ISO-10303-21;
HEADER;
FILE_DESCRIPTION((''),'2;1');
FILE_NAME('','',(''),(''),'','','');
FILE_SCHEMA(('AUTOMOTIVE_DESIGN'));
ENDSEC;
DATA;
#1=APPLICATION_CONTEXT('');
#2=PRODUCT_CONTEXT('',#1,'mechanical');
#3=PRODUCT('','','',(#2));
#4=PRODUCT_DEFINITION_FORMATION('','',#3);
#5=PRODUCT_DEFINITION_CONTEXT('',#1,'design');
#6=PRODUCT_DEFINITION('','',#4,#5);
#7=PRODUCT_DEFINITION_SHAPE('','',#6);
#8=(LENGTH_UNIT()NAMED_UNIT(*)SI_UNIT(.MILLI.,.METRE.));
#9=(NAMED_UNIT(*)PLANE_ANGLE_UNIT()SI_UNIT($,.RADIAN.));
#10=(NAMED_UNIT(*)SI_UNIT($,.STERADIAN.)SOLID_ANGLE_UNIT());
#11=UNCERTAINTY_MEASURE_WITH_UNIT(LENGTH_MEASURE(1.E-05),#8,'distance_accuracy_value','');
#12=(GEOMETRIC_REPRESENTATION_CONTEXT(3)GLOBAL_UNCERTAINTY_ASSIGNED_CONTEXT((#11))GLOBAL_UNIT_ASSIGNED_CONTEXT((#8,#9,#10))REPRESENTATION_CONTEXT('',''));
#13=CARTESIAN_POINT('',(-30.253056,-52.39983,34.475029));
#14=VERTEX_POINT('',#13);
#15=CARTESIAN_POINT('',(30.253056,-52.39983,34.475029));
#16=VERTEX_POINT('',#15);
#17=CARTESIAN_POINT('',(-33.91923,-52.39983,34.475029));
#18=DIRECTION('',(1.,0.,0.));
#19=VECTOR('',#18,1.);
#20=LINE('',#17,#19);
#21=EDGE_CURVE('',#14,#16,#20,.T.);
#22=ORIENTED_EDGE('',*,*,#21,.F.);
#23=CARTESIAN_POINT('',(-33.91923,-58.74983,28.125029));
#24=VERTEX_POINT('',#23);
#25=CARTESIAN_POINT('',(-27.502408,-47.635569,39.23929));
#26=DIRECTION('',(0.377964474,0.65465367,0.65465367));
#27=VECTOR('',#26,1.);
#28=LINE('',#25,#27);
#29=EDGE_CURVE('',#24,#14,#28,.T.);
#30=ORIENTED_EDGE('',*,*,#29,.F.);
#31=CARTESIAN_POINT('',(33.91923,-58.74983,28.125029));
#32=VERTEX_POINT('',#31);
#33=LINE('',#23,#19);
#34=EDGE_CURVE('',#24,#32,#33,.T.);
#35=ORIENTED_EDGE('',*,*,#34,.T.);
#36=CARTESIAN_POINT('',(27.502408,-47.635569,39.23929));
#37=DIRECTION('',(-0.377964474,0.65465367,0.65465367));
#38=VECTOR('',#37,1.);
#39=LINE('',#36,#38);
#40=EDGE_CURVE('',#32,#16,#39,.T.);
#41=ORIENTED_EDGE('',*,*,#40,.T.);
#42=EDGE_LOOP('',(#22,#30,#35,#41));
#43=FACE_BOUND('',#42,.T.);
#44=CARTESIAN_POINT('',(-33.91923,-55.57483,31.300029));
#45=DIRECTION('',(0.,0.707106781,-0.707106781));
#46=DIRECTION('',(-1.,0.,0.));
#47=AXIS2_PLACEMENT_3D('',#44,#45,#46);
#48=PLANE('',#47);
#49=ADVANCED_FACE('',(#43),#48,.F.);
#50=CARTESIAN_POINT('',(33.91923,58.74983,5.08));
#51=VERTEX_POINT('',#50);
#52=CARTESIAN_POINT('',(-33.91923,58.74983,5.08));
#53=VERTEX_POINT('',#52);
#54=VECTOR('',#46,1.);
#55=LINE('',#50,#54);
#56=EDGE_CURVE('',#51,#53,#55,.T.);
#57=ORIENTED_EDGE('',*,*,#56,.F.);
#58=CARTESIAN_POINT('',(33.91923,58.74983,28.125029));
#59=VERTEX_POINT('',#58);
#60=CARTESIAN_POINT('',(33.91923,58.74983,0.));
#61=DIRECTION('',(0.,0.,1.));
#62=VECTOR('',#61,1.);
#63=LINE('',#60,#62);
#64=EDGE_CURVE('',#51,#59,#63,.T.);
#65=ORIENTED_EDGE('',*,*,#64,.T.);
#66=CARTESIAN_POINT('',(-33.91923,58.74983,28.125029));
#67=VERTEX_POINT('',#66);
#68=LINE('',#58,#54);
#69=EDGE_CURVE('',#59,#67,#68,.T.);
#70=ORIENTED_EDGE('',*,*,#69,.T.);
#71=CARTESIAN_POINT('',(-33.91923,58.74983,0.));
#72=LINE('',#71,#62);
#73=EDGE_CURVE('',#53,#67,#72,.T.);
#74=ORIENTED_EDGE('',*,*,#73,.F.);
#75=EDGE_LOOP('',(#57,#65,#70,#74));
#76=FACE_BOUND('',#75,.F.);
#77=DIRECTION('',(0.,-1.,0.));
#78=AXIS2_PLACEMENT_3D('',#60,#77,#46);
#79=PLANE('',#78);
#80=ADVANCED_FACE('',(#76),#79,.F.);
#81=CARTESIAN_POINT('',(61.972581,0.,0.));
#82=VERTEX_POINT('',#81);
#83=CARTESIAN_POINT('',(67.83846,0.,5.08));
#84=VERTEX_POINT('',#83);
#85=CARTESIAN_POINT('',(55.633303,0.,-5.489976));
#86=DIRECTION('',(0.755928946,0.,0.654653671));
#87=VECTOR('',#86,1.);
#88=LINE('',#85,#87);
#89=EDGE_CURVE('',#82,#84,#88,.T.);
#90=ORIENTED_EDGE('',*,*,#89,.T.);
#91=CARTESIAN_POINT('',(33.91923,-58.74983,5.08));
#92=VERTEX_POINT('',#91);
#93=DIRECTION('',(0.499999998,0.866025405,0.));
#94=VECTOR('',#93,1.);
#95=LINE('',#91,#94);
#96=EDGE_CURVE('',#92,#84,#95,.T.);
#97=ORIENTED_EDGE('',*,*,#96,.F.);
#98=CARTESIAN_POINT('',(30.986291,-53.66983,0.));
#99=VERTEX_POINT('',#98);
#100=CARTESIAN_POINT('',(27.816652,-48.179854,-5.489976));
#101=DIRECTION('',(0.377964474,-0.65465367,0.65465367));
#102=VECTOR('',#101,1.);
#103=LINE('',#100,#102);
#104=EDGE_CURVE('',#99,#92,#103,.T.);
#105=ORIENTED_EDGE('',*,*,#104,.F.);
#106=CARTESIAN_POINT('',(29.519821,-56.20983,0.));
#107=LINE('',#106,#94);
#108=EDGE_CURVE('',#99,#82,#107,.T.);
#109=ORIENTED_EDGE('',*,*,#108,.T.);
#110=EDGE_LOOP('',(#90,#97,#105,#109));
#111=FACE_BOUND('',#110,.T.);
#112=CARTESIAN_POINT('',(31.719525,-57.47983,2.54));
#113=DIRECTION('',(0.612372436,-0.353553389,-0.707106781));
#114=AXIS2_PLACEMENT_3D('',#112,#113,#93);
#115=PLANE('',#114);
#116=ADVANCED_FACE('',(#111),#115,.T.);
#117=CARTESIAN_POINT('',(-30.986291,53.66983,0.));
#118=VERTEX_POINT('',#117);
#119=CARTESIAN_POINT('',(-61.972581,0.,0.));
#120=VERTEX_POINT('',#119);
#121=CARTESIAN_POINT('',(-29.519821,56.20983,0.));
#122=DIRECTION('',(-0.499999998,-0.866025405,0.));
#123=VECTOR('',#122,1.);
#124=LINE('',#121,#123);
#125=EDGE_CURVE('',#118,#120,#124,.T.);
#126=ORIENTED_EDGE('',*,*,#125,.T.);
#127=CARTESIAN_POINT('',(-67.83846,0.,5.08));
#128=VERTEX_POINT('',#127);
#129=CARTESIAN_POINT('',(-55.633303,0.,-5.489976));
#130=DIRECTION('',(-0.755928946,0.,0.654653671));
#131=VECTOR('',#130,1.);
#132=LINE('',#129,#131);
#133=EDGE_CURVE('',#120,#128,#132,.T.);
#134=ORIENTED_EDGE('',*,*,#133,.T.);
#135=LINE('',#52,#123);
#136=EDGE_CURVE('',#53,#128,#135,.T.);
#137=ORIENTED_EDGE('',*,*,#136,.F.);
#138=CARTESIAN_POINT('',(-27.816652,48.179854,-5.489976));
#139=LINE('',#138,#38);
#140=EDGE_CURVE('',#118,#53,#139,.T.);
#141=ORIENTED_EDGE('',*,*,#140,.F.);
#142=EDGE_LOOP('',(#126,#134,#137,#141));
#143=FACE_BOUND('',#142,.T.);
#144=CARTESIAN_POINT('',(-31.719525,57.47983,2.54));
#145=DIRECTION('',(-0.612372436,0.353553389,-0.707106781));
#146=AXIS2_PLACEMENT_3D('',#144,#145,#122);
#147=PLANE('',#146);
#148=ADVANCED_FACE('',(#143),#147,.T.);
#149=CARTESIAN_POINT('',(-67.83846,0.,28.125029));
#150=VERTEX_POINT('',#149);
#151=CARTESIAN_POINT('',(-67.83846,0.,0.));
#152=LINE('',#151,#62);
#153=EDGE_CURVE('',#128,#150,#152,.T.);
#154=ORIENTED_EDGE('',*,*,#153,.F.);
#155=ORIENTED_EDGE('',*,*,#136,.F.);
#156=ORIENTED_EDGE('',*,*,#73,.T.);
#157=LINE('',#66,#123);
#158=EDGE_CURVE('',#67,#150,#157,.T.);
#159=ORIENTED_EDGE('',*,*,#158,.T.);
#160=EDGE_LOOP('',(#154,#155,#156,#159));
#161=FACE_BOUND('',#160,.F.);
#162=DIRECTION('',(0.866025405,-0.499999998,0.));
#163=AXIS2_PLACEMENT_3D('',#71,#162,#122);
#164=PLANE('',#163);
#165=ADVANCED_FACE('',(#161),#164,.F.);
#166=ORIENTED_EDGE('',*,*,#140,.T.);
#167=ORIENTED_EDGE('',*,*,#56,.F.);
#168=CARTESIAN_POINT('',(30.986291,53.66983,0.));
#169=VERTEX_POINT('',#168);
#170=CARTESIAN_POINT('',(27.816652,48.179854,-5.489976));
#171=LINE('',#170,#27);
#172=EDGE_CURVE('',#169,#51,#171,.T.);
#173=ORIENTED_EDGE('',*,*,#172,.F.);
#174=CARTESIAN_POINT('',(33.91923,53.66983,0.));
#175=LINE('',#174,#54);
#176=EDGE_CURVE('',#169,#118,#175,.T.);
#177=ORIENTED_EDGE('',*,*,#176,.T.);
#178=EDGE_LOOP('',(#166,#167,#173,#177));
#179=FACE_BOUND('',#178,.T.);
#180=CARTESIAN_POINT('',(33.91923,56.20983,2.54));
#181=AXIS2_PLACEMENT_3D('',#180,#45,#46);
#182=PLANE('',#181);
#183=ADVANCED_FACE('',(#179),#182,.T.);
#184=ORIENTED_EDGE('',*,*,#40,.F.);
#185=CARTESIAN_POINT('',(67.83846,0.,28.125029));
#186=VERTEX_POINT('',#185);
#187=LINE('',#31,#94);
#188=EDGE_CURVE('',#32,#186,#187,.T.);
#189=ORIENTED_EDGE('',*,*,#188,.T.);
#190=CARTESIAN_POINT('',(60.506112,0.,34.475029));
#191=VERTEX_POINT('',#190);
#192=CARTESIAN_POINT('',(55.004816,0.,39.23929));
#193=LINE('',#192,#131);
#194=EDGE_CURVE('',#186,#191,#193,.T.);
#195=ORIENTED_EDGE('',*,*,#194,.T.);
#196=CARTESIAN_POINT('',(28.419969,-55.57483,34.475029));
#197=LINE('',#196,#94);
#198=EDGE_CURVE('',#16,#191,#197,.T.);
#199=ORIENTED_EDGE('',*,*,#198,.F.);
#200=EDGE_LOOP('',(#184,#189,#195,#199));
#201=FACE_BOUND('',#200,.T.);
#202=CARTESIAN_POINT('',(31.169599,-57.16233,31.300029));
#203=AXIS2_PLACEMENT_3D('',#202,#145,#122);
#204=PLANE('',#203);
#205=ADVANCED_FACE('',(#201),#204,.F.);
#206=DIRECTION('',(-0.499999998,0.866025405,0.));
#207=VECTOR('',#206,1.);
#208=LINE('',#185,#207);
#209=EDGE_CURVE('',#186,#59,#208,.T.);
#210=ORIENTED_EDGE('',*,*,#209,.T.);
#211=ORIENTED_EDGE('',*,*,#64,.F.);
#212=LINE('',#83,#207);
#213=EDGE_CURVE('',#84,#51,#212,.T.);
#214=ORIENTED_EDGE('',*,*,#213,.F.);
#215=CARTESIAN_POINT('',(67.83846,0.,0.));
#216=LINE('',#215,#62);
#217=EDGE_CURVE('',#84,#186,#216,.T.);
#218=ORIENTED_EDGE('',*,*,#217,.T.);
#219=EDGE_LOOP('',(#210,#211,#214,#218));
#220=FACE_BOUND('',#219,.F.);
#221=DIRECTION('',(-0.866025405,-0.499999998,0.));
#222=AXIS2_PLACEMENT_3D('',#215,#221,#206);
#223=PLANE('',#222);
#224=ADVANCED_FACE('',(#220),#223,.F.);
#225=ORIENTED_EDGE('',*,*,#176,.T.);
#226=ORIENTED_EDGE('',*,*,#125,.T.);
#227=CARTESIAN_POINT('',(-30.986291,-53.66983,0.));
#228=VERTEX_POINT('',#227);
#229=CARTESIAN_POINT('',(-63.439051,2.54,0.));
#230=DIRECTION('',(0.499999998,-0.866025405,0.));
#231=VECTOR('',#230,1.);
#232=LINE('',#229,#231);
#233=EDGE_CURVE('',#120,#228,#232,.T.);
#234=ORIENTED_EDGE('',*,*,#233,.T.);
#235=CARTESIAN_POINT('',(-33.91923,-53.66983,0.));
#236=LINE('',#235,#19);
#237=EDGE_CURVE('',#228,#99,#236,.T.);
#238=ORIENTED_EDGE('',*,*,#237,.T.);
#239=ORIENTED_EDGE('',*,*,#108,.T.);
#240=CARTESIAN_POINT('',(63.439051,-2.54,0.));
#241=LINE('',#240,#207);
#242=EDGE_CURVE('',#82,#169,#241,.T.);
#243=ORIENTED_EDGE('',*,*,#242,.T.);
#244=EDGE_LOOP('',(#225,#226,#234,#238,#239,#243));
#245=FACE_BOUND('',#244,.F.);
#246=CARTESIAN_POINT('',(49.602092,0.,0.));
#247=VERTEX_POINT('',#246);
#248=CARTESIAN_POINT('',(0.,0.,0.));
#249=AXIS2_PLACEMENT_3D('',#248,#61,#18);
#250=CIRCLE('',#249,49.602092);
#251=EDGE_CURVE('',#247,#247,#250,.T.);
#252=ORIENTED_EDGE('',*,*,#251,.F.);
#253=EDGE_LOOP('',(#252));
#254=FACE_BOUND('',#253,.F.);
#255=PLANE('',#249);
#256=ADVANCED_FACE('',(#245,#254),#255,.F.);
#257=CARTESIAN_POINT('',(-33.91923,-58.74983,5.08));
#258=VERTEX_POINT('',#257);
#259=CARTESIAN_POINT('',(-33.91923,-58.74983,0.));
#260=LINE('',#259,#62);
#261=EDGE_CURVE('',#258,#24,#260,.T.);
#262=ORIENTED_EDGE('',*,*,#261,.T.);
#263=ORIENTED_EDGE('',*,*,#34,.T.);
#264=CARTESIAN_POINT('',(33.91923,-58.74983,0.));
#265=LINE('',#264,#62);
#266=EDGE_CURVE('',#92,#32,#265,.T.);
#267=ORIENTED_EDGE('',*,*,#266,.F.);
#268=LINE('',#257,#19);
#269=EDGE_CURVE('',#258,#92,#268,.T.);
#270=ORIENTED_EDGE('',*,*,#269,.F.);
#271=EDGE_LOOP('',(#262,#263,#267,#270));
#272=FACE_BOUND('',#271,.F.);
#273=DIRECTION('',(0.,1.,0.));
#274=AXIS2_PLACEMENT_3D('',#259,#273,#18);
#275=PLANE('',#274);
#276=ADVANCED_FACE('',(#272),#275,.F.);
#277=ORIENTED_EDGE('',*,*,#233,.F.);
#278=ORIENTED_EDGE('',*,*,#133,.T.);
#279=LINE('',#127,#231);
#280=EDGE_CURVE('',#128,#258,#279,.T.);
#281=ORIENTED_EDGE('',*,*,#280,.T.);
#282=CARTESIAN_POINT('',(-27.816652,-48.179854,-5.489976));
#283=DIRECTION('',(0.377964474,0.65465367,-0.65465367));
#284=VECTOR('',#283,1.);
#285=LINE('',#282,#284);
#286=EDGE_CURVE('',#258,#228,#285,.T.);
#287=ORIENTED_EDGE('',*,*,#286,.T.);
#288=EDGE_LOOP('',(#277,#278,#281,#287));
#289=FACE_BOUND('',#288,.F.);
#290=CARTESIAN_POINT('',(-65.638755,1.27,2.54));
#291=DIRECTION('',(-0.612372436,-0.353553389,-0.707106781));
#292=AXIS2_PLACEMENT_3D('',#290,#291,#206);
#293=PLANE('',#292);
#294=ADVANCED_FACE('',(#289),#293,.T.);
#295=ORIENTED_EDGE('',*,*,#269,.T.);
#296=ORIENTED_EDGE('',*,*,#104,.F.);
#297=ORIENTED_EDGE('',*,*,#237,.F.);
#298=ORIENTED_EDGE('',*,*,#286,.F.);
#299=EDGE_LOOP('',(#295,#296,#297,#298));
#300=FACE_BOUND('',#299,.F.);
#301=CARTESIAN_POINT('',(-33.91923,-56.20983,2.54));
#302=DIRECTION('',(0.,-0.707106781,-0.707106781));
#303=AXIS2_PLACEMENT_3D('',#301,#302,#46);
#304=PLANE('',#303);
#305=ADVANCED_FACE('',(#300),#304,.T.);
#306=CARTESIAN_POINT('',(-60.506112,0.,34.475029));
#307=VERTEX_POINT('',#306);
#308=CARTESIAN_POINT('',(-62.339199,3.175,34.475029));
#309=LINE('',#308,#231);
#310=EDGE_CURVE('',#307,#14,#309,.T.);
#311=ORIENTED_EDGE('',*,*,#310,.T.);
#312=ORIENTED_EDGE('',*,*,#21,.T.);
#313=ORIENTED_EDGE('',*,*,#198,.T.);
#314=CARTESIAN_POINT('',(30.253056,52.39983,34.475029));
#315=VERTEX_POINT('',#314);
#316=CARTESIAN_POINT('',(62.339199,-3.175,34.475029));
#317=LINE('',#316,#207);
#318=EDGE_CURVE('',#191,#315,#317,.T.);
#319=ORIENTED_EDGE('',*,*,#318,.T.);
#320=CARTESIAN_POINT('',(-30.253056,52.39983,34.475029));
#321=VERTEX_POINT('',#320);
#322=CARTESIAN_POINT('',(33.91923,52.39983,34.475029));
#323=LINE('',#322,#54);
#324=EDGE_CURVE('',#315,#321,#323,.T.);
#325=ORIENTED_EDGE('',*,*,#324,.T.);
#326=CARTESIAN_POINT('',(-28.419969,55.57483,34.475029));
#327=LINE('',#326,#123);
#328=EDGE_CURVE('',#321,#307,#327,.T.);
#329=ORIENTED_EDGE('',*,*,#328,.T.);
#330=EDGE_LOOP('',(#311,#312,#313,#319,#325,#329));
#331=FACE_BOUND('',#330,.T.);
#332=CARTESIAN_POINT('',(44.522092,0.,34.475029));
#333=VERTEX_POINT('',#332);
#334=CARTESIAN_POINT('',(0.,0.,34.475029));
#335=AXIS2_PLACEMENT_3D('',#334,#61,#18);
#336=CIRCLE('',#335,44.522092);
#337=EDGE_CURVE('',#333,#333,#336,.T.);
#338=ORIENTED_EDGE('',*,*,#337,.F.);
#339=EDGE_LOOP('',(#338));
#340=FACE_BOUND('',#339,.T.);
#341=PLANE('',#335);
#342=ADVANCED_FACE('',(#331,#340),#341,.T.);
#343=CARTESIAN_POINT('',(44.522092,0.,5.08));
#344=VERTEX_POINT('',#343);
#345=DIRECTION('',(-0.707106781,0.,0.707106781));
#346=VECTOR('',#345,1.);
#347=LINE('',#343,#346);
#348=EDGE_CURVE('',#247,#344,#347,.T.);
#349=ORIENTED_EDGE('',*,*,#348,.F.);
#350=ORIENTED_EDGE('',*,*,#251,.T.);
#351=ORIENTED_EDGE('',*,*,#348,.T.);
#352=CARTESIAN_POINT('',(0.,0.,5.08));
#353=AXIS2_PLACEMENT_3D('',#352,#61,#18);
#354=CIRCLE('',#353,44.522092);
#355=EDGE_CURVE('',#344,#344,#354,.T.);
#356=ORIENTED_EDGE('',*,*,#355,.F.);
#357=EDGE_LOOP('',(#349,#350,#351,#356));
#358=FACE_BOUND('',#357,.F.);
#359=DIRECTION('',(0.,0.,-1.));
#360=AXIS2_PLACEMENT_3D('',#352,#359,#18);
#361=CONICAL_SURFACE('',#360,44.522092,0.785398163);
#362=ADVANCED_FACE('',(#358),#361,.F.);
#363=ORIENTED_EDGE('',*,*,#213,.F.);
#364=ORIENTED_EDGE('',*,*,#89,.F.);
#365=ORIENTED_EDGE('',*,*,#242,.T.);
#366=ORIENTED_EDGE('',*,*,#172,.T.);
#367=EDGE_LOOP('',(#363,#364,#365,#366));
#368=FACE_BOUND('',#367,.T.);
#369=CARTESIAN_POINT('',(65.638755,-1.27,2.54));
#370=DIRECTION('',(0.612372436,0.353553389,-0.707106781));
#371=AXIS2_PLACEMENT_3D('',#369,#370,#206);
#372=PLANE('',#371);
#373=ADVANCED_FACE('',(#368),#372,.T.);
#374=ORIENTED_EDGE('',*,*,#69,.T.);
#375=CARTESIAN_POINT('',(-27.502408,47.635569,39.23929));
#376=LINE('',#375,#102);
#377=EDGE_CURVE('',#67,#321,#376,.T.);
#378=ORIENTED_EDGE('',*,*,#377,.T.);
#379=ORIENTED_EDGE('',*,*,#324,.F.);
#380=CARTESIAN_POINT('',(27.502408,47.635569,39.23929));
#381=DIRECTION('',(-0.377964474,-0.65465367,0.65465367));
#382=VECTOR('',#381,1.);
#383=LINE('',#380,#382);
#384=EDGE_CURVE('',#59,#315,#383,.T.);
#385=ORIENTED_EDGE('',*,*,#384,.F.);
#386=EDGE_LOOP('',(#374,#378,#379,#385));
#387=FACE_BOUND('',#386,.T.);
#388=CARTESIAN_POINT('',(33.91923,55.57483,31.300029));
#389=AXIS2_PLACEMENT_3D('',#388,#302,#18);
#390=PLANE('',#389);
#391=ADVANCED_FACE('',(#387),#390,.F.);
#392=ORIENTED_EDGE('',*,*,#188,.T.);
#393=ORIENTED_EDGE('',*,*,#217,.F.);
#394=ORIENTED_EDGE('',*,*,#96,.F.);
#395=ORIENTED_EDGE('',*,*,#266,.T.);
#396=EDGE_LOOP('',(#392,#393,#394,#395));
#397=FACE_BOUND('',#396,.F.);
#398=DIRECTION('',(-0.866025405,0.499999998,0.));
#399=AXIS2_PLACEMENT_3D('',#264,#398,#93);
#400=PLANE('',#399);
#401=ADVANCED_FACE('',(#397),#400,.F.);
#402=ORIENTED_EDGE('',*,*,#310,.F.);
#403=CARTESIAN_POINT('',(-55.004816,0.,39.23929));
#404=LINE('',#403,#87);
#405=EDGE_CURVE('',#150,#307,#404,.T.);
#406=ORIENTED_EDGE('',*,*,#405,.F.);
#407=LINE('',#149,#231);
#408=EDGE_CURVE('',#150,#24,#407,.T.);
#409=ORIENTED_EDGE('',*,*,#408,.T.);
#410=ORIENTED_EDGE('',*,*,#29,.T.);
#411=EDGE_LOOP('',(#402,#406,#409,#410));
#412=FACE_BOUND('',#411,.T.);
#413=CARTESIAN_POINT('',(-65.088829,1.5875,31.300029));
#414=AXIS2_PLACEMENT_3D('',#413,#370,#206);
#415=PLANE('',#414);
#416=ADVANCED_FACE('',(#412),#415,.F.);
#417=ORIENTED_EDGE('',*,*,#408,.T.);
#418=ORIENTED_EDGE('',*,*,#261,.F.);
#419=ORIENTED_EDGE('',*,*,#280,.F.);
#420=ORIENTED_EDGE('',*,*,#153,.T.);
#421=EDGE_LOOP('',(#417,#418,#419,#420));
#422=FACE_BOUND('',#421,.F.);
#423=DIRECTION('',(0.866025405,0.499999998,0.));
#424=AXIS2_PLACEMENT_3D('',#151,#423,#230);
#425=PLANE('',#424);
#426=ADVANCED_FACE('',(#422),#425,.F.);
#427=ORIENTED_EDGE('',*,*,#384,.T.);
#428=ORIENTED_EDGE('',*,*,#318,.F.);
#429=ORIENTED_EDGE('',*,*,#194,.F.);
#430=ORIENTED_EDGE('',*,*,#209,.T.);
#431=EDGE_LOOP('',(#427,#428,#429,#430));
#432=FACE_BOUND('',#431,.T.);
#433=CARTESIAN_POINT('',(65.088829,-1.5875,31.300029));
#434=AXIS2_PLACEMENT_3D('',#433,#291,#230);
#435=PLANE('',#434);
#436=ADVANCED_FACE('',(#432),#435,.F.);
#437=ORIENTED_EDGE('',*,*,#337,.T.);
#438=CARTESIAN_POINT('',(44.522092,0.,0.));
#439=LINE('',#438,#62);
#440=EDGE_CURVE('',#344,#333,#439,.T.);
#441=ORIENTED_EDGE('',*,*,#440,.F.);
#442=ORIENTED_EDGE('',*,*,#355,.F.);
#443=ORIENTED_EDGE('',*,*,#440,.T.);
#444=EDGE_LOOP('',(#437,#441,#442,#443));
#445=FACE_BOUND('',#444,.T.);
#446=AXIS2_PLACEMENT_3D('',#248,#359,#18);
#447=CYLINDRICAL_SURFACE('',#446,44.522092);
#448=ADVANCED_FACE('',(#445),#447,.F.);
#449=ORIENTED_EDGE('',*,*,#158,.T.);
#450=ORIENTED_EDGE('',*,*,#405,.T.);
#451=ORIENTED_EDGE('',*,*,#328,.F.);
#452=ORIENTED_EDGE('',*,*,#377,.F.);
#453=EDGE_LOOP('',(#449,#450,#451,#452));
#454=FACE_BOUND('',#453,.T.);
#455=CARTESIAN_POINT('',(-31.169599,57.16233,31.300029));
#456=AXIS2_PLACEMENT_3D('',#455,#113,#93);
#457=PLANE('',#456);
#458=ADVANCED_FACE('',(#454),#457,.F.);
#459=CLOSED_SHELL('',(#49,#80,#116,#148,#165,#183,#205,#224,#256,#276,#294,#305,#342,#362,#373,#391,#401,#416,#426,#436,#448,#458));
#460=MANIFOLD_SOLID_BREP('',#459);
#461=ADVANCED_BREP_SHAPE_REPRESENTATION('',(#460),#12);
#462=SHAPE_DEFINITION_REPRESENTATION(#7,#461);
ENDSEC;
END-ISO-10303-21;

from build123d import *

# Parameters (mm, degrees)
F1_R     = 44.522092
F2_DEPTH = 34.475029
F3_SIZE  = 6.35
F4_SIZE  = 5.08


with BuildPart() as f2:
    # F1 (on face) → F2 (new body)
    with BuildSketch(Plane.XY):
        Polygon((-33.91923, -58.74983), (33.91923, -58.74983), (67.83846, 0), (33.91923, 58.74983), (-33.91923, 58.74983), (-67.83846, 0), align=None)
        Circle(F1_R, mode=Mode.SUBTRACT)
    extrude(amount=F2_DEPTH)

    # F3
    f3_edges = [f2.edges().sort_by_distance(p)[0] for p in [
        (0, 58.74983, 34.475029),
        (-50.878845, -29.374915, 34.475029),
        (50.878845, 29.374915, 34.475029),
        (0, -58.74983, 34.475029),
        (50.878845, -29.374915, 34.475029),
        (-50.878845, 29.374915, 34.475029),
    ]]
    chamfer(f3_edges, length=F3_SIZE)

    # F4
    f4_edges = [f2.edges().sort_by_distance(p)[0] for p in [
        (50.878845, -29.374915, 0),
        (50.878845, 29.374915, 0),
        (0, 58.74983, 0),
        (-50.878845, 29.374915, 0),
        (-50.878845, -29.374915, 0),
        (0, -58.74983, 0),
        (-44.522092, 0, 0),
    ]]
    chamfer(f4_edges, length=F4_SIZE)


solid = f2.part
